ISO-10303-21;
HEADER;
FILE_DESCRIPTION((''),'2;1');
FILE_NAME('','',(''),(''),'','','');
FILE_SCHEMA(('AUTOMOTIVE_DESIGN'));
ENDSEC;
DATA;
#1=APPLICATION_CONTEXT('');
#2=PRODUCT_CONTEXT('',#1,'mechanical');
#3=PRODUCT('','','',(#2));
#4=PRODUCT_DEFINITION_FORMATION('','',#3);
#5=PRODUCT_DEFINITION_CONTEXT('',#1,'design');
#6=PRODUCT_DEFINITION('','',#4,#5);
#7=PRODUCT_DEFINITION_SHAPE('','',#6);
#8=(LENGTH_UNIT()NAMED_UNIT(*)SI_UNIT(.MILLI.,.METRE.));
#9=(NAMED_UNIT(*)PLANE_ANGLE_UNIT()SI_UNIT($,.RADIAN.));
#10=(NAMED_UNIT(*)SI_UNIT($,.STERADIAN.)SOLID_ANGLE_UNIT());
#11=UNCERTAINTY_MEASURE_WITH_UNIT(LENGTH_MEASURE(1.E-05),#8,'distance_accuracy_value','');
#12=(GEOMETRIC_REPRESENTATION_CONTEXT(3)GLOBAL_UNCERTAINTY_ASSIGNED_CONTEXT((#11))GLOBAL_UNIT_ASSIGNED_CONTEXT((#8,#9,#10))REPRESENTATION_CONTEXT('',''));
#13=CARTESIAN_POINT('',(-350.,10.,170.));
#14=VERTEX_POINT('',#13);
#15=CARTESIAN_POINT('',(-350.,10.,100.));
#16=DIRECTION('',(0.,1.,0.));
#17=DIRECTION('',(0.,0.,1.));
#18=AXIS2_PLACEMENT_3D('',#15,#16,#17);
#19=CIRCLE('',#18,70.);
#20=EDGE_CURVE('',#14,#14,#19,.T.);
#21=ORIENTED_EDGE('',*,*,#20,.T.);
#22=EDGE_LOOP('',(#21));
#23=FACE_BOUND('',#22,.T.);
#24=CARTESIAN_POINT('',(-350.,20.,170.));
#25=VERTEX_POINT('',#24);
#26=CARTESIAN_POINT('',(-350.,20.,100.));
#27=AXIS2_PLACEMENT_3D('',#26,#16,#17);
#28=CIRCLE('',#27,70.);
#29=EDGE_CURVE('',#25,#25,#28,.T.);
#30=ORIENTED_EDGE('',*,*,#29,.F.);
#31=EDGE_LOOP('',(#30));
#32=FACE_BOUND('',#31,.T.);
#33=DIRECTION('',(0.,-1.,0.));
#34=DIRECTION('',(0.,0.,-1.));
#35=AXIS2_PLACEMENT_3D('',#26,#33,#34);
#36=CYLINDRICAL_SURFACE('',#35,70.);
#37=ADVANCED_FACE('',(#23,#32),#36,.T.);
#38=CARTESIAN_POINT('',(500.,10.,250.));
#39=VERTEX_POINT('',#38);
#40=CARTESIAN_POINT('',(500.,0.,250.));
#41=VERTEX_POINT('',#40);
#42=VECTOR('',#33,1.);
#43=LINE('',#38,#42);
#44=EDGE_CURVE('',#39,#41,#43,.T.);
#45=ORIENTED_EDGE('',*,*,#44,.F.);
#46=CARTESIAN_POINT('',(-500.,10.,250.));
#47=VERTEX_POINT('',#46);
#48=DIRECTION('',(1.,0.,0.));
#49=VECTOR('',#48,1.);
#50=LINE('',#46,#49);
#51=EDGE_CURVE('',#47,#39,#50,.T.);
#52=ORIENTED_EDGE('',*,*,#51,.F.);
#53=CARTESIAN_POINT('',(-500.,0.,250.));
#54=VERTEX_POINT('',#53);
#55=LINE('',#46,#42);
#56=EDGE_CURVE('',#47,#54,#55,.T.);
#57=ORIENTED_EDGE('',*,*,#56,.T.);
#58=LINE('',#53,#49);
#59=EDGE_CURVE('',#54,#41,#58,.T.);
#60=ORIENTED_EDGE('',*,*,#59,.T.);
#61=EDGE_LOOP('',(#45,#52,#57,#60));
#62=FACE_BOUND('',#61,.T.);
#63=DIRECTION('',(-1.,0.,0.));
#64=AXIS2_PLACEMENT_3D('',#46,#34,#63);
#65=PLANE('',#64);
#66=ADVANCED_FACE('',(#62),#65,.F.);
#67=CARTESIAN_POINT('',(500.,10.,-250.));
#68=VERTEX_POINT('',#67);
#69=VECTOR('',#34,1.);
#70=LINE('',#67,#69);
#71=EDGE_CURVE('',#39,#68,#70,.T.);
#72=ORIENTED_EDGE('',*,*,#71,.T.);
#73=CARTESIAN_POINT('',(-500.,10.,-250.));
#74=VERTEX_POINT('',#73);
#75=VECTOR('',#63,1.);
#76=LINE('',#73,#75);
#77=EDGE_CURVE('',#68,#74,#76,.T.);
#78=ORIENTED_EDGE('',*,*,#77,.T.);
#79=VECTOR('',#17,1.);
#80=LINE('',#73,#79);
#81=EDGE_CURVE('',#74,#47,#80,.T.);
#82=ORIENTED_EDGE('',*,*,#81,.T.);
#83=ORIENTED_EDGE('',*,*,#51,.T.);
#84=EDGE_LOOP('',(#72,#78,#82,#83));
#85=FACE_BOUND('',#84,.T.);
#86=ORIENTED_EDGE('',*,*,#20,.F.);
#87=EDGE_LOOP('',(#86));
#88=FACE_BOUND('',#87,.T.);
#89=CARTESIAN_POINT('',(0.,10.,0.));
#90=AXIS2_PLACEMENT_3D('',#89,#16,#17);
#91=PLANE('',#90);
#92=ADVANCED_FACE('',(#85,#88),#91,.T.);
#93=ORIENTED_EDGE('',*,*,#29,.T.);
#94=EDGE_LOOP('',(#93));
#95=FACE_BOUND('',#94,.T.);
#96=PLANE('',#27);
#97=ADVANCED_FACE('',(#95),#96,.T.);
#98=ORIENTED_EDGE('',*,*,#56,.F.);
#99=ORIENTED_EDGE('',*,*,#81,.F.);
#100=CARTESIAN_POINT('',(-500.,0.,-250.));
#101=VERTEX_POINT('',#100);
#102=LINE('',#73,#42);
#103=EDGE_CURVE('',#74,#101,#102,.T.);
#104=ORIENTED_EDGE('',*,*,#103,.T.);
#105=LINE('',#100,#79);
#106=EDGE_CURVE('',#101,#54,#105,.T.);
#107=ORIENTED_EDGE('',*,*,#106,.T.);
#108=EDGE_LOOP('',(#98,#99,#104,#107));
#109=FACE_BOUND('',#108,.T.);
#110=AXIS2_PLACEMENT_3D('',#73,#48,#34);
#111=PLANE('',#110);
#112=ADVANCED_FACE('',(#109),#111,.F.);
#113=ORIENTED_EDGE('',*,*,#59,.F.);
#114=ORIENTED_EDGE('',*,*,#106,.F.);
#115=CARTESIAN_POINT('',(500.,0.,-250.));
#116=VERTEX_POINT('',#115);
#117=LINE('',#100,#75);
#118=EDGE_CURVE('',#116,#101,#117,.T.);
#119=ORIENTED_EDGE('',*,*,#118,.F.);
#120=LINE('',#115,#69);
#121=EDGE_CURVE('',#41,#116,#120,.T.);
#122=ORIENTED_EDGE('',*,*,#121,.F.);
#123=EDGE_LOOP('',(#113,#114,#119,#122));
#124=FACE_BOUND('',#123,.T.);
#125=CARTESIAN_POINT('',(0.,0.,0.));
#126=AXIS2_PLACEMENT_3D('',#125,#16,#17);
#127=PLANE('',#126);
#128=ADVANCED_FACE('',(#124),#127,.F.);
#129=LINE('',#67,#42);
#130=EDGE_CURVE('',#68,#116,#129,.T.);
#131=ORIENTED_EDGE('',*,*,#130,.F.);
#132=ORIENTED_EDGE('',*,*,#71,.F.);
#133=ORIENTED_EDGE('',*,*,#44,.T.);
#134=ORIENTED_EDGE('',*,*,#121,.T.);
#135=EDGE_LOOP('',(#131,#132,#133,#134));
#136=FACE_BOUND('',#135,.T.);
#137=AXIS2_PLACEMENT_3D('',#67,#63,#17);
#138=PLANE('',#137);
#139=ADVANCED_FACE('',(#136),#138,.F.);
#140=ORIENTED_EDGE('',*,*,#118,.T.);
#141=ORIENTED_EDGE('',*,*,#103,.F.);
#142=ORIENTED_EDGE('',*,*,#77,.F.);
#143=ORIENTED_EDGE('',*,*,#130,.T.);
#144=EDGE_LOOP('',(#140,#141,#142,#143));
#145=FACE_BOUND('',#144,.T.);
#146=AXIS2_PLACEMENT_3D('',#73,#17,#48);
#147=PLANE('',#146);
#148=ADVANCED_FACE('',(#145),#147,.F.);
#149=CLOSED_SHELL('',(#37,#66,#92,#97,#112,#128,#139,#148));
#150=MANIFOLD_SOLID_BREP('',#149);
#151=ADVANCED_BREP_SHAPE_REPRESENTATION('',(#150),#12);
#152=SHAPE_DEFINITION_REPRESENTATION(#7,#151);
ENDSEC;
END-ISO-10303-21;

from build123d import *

# Parameters (mm, degrees)
SKETCH1_W           = 1000
SKETCH1_H           = 500
BOSS_EXTRUDE1_DEPTH = 10
SKETCH2_R           = 70
BOSS_EXTRUDE2_DEPTH = 10


with BuildPart() as part:
    # Sketch1 → Boss-Extrude1 (new body)
    with BuildSketch(Plane(origin=(0, 0, 0), x_dir=(1, 0, 0), z_dir=(0, 1, 0))):
        Rectangle(SKETCH1_W, SKETCH1_H)
    extrude(amount=BOSS_EXTRUDE1_DEPTH)

    # Sketch2 → Boss-Extrude2 (add)
    with BuildSketch(Plane(origin=(0, 10, 0), x_dir=(1, 0, 0), z_dir=(0, 1, 0))):
        with Locations((-350, -100)):
            Circle(SKETCH2_R)
    extrude(amount=BOSS_EXTRUDE2_DEPTH)


solid = part.part
